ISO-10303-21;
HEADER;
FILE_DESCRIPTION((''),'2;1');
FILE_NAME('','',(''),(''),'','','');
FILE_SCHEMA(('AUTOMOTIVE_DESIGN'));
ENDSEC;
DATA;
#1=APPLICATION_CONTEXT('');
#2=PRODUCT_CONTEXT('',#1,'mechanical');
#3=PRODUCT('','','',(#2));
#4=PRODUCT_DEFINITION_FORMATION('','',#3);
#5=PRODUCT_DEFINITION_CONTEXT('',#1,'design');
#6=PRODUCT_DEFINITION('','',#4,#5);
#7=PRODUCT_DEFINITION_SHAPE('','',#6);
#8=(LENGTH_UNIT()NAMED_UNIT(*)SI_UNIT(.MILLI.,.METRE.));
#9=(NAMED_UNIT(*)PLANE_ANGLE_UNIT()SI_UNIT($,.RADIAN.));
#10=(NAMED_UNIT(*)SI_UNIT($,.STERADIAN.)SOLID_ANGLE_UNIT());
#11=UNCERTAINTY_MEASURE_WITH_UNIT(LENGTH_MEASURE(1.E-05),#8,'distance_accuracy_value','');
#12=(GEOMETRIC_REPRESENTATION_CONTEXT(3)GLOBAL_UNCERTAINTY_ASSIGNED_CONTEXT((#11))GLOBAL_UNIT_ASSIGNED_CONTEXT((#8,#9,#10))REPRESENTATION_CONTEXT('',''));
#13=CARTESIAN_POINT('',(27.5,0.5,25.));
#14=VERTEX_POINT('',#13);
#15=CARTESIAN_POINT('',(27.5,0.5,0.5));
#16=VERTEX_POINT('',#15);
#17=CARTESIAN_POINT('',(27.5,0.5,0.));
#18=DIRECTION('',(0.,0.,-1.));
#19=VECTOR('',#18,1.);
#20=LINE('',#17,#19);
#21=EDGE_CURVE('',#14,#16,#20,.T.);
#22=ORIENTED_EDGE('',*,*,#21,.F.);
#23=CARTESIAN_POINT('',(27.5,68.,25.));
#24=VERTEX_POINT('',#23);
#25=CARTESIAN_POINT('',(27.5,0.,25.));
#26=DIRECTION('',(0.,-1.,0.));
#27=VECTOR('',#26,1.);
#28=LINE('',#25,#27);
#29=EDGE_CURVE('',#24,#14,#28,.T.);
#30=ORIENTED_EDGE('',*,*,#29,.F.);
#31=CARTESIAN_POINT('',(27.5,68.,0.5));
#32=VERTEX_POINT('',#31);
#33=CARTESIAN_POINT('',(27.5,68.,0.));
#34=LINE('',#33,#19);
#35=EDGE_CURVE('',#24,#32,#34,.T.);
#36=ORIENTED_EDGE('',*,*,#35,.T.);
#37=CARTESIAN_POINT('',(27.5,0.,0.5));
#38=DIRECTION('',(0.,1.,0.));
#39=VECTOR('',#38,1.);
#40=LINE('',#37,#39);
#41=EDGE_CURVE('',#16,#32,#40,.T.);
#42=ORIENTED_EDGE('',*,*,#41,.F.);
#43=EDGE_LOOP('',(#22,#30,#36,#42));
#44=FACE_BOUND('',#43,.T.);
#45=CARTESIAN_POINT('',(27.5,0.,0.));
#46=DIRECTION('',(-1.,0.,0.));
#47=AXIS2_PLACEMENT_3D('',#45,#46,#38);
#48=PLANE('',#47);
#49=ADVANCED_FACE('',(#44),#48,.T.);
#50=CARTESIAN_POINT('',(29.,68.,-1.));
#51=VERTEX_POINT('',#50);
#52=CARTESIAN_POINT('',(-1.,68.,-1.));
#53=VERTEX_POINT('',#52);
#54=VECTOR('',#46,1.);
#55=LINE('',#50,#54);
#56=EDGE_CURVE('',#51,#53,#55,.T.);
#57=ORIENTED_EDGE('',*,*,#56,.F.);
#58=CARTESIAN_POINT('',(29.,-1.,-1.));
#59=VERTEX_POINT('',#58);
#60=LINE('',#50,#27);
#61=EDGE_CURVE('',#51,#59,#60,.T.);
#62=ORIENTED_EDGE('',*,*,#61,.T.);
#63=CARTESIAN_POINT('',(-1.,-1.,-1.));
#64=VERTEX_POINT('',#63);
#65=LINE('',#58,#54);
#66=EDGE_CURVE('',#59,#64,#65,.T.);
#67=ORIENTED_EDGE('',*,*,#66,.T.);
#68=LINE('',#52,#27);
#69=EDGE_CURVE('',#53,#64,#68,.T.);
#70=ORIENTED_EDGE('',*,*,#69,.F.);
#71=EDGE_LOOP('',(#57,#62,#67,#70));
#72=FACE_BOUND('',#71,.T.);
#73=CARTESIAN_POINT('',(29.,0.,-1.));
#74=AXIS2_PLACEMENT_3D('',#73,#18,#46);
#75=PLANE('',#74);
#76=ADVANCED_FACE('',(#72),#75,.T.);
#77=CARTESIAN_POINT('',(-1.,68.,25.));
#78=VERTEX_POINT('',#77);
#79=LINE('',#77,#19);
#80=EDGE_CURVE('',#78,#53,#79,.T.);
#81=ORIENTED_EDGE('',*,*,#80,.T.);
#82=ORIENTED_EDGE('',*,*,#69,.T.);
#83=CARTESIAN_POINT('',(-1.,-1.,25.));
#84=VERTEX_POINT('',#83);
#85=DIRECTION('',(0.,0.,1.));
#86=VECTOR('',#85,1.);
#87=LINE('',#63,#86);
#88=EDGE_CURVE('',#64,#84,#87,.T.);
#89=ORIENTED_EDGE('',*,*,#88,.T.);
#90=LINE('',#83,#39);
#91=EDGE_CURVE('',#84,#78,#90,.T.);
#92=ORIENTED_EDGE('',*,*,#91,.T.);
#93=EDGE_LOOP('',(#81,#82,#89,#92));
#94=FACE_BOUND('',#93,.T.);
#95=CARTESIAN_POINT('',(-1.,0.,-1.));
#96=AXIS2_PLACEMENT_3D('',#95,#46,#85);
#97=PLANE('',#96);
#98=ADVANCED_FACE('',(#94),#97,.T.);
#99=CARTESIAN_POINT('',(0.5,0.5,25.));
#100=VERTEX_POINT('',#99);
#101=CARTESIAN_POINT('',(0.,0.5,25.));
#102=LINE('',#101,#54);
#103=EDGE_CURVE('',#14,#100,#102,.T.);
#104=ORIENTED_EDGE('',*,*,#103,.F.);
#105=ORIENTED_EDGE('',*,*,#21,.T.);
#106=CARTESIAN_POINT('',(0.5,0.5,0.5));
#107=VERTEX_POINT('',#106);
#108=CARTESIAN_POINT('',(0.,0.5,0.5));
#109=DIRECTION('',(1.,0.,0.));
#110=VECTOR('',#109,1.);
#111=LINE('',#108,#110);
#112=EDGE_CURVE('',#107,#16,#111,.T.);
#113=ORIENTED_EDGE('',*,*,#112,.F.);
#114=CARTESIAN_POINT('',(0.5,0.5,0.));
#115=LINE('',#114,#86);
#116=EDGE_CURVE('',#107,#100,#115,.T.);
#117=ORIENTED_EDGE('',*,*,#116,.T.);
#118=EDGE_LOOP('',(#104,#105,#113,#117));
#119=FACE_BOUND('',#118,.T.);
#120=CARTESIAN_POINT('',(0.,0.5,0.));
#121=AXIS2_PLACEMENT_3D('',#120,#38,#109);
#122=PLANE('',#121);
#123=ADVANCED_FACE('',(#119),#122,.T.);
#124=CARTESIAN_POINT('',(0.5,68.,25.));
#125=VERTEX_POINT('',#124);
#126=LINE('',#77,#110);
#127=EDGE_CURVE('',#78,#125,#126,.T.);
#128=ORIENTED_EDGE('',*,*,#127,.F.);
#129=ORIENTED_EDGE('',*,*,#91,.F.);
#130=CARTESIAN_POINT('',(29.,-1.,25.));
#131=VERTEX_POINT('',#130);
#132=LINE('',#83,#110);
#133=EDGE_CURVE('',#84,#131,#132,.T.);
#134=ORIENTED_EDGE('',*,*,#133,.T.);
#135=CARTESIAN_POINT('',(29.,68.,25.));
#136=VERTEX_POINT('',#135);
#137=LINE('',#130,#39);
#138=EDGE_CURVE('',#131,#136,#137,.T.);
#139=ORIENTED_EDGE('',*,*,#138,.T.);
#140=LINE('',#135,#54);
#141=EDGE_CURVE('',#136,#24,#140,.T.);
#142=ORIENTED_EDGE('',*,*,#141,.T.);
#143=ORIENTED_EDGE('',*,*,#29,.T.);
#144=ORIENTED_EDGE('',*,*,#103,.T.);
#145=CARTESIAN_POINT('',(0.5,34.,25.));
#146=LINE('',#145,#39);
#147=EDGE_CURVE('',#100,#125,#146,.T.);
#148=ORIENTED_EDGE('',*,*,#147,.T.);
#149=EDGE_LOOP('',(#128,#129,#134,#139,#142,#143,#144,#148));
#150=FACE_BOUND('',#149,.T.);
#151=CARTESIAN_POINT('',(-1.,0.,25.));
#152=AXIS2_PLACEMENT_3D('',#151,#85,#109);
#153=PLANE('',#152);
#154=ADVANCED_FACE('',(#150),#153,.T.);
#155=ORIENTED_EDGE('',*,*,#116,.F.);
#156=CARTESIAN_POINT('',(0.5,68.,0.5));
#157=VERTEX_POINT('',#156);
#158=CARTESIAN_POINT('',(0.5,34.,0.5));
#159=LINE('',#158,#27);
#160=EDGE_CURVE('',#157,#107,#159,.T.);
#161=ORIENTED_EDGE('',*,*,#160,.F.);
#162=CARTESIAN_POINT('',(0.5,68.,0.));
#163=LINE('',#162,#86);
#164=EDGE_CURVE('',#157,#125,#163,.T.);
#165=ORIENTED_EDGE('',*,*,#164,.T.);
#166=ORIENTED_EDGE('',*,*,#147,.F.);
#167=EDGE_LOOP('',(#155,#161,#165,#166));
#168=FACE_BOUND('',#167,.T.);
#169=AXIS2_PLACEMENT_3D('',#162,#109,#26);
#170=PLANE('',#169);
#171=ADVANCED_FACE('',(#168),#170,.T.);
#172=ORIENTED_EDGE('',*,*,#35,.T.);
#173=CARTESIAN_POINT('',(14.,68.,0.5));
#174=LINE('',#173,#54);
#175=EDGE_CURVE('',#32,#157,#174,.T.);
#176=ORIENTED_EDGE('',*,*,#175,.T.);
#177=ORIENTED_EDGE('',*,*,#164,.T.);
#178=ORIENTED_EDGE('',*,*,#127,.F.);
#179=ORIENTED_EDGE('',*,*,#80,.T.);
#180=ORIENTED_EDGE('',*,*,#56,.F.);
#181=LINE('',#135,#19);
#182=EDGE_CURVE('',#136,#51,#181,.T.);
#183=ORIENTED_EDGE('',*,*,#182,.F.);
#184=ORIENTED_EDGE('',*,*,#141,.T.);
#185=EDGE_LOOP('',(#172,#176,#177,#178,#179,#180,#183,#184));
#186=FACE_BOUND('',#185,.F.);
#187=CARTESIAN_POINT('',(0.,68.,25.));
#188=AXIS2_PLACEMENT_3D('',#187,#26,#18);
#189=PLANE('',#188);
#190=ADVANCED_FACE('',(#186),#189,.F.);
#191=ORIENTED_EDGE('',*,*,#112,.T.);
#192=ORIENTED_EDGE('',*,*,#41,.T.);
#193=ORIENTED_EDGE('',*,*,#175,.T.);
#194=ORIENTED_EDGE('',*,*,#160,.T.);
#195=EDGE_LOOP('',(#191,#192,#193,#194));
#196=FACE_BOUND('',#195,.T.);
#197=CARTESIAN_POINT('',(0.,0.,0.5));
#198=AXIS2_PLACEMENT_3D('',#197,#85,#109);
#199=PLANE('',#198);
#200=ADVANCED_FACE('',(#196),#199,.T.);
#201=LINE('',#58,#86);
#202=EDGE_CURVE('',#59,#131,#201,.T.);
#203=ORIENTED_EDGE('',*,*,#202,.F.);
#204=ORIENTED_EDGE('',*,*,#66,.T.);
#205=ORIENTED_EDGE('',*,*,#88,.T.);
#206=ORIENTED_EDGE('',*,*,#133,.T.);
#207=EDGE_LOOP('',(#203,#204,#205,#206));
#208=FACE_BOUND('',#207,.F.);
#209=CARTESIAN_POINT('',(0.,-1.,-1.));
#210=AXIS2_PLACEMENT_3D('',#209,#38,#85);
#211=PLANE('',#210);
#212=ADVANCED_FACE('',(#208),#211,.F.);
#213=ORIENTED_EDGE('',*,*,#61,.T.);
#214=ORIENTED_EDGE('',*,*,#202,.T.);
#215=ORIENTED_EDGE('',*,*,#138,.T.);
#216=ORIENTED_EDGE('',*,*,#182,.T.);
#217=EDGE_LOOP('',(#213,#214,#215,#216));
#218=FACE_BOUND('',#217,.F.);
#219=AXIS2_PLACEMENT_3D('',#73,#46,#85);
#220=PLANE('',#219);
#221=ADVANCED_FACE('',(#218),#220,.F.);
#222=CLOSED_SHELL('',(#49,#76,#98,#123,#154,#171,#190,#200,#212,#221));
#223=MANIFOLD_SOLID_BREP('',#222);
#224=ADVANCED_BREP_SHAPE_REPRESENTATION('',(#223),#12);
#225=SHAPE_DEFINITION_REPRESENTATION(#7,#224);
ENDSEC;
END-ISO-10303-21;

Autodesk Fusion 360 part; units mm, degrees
sketch "Sketch1" plane through (0, 0, 0) normal (0, 0, 1) x (1, 0, 0)
  line L0 (0, 0) -> (28, 0)
  line L1 (28, 0) -> (28, 68)
  line L2 (28, 68) -> (0, 68)
  line L3 (0, 68) -> (0, 0)
  dimension "d1" = 28
  dimension "d2" = 68
extrude "Extrude1" add sketch "Sketch1" along normal blind 25
shell "Shell1" thickness 0.5 removed faces 2 at (18.6667, 68, 8.3333) at (9.3333, 45.3333, 25)
extrude "Extrude2" add 1 faces at (9.3333, 45.3333, 0) along direction (0, 0, -1) blind 1
extrude "Extrude3" add 1 faces at (28, 45.3333, 16.3333) along direction (1, 0, 0) blind 1
extrude "Extrude4" add 1 faces at (0, 45.3333, 7.6667) along direction (-1, 0, 0) blind 1
extrude "Extrude5" add 1 faces at (9, 0, 16.3333) along direction (0, -1, 0) blind 1
